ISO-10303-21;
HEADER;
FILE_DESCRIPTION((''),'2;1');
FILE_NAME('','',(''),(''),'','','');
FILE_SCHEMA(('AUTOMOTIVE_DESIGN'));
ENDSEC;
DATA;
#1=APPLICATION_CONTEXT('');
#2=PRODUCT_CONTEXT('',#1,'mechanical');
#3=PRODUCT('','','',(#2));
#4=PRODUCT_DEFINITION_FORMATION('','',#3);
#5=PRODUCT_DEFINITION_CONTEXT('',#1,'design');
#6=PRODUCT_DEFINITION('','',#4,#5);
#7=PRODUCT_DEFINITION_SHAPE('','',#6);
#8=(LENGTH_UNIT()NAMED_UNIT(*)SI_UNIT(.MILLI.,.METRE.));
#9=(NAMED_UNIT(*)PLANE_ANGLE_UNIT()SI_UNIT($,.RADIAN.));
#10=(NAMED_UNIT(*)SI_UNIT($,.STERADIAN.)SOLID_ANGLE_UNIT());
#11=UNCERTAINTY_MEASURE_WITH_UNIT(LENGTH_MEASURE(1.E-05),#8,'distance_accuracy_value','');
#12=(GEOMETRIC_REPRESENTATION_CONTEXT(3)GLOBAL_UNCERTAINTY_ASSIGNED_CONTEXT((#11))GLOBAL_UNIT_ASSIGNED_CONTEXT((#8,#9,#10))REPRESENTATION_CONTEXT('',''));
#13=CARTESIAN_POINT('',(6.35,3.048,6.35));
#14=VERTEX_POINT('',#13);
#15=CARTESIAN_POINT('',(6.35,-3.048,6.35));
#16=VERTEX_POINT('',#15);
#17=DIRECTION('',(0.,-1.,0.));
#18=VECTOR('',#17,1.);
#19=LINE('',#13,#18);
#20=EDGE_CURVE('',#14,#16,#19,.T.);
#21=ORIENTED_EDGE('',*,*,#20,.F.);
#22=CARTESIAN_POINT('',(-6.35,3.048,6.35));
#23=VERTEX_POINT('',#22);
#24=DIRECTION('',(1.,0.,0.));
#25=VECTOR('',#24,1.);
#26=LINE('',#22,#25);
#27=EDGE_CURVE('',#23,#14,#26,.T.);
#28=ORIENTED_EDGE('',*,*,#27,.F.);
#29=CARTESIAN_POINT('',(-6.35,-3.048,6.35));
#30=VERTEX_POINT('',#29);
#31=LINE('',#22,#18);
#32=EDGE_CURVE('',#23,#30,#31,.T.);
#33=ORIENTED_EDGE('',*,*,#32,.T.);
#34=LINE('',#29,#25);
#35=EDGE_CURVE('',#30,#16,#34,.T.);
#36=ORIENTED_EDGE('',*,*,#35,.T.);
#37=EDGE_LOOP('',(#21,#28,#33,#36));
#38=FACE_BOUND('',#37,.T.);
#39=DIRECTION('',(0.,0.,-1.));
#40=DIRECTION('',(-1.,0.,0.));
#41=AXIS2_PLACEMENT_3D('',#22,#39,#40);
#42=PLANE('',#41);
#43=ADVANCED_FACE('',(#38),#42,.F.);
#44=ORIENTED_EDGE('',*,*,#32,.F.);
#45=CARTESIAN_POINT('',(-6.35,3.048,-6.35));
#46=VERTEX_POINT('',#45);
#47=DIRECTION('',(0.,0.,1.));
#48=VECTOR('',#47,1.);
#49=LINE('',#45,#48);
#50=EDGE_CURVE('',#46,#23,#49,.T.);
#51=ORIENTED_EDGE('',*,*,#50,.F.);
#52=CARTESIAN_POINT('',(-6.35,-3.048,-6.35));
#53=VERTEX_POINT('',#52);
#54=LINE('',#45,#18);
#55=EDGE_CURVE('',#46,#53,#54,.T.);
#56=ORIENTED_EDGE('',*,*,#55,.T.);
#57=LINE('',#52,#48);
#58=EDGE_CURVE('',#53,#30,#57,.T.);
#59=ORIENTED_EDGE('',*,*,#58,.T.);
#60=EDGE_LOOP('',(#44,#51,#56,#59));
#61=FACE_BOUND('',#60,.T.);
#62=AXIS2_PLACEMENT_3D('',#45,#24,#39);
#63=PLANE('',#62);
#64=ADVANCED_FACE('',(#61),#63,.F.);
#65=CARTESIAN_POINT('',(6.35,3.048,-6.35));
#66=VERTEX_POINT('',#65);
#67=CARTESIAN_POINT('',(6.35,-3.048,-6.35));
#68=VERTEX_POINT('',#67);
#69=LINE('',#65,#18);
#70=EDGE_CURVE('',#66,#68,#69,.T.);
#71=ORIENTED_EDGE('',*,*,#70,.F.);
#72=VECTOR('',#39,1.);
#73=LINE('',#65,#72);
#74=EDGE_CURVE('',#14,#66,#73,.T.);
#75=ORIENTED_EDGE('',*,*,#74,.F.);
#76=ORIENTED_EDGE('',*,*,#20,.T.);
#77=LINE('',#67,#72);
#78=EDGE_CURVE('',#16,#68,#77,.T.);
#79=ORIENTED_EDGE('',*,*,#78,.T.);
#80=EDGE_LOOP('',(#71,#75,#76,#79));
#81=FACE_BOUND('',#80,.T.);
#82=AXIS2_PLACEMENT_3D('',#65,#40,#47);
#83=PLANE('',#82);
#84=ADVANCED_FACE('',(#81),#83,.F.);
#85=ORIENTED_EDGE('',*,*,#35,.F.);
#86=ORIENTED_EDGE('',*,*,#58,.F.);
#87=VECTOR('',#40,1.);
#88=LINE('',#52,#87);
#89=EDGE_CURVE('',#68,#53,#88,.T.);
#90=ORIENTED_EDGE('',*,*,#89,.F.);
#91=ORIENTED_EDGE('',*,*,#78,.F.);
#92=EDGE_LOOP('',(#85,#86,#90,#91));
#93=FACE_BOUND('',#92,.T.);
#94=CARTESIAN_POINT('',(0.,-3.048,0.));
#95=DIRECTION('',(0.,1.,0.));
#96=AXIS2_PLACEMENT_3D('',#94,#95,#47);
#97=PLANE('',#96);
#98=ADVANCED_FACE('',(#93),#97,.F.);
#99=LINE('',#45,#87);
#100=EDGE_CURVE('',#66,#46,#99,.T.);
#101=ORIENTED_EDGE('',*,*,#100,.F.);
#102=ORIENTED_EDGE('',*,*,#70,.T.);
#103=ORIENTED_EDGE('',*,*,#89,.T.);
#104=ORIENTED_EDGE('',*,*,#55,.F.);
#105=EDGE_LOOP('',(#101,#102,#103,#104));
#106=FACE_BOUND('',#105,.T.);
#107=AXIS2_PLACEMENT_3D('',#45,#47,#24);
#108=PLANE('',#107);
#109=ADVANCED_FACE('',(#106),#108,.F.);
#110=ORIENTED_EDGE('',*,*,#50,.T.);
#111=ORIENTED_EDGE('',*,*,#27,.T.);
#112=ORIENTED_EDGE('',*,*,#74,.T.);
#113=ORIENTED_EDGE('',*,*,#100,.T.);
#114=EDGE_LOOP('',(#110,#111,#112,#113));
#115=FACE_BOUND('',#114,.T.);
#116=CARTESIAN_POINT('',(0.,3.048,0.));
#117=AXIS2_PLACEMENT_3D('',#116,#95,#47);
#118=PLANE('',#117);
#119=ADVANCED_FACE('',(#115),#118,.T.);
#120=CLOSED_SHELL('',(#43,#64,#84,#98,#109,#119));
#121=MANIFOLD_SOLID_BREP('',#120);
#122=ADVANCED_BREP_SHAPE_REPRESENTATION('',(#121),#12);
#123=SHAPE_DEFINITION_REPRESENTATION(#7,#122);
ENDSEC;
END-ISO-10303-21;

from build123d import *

# Parameters (mm, degrees)
SKETCH1_W           = 12.7
SKETCH1_H           = 12.7
BOSS_EXTRUDE1_DEPTH = 3.048


with BuildPart() as part:
    # Sketch1 → Boss-Extrude1 (new body, symmetric)
    with BuildSketch(Plane(origin=(0, 0, 0), x_dir=(1, 0, 0), z_dir=(0, 1, 0))):
        Rectangle(SKETCH1_W, SKETCH1_H)
    extrude(amount=BOSS_EXTRUDE1_DEPTH, both=True)


solid = part.part
